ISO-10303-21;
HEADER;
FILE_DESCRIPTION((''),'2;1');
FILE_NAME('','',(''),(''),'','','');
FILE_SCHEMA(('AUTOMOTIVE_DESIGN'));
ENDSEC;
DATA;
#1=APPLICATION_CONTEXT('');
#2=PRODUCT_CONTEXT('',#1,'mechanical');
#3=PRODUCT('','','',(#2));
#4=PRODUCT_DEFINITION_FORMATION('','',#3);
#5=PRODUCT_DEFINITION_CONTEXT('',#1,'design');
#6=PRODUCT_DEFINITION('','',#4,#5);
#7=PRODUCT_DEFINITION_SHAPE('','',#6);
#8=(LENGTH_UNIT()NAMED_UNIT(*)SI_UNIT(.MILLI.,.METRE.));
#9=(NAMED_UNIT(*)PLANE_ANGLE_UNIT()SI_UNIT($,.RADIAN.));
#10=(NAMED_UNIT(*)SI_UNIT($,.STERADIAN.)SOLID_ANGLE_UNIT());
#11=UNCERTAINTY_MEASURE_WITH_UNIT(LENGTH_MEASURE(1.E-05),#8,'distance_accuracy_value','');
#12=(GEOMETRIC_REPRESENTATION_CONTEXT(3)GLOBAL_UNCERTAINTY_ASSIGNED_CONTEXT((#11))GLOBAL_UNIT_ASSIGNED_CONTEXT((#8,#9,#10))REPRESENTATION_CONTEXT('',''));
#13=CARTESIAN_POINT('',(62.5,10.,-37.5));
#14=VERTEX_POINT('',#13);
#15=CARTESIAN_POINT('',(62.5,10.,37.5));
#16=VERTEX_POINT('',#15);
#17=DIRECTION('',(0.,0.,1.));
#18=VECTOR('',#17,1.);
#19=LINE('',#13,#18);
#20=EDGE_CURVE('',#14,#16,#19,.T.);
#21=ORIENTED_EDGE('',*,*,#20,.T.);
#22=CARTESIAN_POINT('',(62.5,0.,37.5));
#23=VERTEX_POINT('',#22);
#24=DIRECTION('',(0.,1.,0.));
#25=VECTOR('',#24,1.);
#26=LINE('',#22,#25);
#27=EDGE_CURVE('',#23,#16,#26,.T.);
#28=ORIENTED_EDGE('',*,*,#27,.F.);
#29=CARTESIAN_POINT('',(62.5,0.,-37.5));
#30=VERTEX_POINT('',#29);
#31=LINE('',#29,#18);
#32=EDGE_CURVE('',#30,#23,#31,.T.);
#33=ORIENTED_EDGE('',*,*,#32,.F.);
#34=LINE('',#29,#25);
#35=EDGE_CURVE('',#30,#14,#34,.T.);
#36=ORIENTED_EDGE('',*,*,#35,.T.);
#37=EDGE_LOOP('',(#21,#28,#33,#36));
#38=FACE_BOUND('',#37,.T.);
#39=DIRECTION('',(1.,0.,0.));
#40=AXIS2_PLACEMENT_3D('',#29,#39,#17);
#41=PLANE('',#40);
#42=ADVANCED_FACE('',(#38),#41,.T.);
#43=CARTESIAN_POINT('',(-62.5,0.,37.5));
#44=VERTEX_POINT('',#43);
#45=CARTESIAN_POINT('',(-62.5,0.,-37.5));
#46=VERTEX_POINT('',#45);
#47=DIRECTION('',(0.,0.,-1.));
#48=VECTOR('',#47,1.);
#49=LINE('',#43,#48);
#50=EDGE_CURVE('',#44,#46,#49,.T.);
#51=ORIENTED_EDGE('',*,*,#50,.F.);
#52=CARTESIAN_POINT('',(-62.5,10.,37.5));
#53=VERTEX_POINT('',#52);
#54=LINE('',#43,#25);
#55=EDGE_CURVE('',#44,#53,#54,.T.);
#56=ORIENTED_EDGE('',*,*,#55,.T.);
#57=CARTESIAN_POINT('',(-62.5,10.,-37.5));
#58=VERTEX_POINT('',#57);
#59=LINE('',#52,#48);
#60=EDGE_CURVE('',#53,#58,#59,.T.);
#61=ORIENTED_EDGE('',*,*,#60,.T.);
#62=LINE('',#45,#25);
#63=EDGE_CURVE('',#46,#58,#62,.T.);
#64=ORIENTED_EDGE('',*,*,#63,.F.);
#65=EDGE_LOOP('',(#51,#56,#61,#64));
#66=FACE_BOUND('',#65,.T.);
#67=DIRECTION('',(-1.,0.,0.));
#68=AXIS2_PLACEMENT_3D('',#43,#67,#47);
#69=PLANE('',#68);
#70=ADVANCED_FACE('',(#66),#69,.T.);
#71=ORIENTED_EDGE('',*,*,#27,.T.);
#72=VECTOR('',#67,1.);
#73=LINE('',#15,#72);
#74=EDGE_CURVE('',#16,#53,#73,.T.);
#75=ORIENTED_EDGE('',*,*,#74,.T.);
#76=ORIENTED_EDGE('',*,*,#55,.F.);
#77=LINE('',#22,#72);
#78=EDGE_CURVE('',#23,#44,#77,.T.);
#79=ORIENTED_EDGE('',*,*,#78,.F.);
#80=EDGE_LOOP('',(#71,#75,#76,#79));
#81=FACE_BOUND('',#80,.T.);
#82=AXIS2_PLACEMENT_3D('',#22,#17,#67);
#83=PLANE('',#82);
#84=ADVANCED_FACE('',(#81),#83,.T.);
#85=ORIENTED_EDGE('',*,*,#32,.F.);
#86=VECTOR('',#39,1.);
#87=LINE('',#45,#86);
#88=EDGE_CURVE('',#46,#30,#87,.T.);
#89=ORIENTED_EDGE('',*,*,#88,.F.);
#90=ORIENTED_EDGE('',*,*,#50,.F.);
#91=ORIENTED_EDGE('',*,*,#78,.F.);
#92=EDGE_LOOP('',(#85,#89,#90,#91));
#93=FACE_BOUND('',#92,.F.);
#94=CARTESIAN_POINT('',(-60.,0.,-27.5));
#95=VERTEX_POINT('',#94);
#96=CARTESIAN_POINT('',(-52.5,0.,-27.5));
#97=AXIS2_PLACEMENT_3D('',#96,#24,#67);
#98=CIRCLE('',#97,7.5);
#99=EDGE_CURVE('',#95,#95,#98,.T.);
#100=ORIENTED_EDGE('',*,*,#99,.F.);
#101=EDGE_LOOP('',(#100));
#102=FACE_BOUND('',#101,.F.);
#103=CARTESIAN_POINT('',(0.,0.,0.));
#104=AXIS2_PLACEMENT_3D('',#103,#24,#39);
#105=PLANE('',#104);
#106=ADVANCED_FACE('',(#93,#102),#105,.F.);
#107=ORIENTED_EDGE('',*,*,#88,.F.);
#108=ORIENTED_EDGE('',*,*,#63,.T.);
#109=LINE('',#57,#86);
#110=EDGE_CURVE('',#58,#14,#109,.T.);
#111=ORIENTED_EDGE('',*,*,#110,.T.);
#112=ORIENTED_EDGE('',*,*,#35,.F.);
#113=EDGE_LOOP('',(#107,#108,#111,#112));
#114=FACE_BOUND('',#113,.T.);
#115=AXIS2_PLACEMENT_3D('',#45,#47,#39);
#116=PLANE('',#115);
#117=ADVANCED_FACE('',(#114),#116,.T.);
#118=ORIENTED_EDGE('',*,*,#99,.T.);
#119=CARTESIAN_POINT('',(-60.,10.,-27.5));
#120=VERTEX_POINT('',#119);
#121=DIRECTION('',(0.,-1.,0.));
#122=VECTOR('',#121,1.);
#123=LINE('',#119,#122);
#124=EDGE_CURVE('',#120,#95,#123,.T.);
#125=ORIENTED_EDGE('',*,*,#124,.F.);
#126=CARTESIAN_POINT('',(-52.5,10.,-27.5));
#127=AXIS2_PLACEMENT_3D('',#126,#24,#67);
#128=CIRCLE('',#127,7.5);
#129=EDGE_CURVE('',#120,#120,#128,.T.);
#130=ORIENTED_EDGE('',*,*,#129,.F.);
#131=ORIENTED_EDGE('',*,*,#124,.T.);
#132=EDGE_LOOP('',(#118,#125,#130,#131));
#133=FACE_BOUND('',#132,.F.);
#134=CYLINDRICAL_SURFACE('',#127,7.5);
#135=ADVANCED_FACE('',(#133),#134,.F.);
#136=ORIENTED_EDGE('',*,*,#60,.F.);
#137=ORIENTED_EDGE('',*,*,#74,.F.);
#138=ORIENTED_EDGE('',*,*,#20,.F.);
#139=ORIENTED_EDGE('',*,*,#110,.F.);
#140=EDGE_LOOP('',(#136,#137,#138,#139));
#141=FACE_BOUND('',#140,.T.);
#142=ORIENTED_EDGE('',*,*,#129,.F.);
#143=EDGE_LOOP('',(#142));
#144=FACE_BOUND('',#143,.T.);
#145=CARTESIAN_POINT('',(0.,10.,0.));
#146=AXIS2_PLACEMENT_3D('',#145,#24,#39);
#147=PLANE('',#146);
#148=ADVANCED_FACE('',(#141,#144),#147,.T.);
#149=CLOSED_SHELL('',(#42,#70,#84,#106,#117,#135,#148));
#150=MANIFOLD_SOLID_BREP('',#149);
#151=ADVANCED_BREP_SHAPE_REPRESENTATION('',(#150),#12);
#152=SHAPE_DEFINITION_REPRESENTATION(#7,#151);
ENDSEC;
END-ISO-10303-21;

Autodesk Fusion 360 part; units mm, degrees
sketch "Sketch1" plane through (0, 0, 0) normal (0, 1, 0) x (1, 0, 0)
  line L0 (-62.5, 37.5) -> (62.5, 37.5)
  line L1 (62.5, 37.5) -> (62.5, -37.5)
  line L2 (62.5, -37.5) -> (-62.5, -37.5)
  line L3 (-62.5, -37.5) -> (-62.5, 37.5)
  line L4 (-62.5, 37.5) -> (62.5, -37.5) construction
  line L5 (62.5, 37.5) -> (-62.5, -37.5) construction
  dimension "d1" = 125
  dimension "d2" = 75
extrude "Extrude1" add sketch "Sketch1" along normal blind 10
sketch "Sketch2" plane through (0, 10, 0) normal (0, 1, 0) x (-1, 0, 0)
  line L0 (62.5, 37.5) -> (-62.5, 37.5)
  line L1 (-62.5, 37.5) -> (-62.5, -37.5)
  line L2 (-62.5, -37.5) -> (62.5, -37.5)
  line L3 (62.5, -37.5) -> (62.5, 37.5)
  circle A0 centre (52.5, -27.5) radius 7.5
  dimension "d5" = 15
  dimension "d6" = 10
  dimension "d7" = 10
extrude "Extrude2" cut sketch "Sketch2" against normal through all contours A0
